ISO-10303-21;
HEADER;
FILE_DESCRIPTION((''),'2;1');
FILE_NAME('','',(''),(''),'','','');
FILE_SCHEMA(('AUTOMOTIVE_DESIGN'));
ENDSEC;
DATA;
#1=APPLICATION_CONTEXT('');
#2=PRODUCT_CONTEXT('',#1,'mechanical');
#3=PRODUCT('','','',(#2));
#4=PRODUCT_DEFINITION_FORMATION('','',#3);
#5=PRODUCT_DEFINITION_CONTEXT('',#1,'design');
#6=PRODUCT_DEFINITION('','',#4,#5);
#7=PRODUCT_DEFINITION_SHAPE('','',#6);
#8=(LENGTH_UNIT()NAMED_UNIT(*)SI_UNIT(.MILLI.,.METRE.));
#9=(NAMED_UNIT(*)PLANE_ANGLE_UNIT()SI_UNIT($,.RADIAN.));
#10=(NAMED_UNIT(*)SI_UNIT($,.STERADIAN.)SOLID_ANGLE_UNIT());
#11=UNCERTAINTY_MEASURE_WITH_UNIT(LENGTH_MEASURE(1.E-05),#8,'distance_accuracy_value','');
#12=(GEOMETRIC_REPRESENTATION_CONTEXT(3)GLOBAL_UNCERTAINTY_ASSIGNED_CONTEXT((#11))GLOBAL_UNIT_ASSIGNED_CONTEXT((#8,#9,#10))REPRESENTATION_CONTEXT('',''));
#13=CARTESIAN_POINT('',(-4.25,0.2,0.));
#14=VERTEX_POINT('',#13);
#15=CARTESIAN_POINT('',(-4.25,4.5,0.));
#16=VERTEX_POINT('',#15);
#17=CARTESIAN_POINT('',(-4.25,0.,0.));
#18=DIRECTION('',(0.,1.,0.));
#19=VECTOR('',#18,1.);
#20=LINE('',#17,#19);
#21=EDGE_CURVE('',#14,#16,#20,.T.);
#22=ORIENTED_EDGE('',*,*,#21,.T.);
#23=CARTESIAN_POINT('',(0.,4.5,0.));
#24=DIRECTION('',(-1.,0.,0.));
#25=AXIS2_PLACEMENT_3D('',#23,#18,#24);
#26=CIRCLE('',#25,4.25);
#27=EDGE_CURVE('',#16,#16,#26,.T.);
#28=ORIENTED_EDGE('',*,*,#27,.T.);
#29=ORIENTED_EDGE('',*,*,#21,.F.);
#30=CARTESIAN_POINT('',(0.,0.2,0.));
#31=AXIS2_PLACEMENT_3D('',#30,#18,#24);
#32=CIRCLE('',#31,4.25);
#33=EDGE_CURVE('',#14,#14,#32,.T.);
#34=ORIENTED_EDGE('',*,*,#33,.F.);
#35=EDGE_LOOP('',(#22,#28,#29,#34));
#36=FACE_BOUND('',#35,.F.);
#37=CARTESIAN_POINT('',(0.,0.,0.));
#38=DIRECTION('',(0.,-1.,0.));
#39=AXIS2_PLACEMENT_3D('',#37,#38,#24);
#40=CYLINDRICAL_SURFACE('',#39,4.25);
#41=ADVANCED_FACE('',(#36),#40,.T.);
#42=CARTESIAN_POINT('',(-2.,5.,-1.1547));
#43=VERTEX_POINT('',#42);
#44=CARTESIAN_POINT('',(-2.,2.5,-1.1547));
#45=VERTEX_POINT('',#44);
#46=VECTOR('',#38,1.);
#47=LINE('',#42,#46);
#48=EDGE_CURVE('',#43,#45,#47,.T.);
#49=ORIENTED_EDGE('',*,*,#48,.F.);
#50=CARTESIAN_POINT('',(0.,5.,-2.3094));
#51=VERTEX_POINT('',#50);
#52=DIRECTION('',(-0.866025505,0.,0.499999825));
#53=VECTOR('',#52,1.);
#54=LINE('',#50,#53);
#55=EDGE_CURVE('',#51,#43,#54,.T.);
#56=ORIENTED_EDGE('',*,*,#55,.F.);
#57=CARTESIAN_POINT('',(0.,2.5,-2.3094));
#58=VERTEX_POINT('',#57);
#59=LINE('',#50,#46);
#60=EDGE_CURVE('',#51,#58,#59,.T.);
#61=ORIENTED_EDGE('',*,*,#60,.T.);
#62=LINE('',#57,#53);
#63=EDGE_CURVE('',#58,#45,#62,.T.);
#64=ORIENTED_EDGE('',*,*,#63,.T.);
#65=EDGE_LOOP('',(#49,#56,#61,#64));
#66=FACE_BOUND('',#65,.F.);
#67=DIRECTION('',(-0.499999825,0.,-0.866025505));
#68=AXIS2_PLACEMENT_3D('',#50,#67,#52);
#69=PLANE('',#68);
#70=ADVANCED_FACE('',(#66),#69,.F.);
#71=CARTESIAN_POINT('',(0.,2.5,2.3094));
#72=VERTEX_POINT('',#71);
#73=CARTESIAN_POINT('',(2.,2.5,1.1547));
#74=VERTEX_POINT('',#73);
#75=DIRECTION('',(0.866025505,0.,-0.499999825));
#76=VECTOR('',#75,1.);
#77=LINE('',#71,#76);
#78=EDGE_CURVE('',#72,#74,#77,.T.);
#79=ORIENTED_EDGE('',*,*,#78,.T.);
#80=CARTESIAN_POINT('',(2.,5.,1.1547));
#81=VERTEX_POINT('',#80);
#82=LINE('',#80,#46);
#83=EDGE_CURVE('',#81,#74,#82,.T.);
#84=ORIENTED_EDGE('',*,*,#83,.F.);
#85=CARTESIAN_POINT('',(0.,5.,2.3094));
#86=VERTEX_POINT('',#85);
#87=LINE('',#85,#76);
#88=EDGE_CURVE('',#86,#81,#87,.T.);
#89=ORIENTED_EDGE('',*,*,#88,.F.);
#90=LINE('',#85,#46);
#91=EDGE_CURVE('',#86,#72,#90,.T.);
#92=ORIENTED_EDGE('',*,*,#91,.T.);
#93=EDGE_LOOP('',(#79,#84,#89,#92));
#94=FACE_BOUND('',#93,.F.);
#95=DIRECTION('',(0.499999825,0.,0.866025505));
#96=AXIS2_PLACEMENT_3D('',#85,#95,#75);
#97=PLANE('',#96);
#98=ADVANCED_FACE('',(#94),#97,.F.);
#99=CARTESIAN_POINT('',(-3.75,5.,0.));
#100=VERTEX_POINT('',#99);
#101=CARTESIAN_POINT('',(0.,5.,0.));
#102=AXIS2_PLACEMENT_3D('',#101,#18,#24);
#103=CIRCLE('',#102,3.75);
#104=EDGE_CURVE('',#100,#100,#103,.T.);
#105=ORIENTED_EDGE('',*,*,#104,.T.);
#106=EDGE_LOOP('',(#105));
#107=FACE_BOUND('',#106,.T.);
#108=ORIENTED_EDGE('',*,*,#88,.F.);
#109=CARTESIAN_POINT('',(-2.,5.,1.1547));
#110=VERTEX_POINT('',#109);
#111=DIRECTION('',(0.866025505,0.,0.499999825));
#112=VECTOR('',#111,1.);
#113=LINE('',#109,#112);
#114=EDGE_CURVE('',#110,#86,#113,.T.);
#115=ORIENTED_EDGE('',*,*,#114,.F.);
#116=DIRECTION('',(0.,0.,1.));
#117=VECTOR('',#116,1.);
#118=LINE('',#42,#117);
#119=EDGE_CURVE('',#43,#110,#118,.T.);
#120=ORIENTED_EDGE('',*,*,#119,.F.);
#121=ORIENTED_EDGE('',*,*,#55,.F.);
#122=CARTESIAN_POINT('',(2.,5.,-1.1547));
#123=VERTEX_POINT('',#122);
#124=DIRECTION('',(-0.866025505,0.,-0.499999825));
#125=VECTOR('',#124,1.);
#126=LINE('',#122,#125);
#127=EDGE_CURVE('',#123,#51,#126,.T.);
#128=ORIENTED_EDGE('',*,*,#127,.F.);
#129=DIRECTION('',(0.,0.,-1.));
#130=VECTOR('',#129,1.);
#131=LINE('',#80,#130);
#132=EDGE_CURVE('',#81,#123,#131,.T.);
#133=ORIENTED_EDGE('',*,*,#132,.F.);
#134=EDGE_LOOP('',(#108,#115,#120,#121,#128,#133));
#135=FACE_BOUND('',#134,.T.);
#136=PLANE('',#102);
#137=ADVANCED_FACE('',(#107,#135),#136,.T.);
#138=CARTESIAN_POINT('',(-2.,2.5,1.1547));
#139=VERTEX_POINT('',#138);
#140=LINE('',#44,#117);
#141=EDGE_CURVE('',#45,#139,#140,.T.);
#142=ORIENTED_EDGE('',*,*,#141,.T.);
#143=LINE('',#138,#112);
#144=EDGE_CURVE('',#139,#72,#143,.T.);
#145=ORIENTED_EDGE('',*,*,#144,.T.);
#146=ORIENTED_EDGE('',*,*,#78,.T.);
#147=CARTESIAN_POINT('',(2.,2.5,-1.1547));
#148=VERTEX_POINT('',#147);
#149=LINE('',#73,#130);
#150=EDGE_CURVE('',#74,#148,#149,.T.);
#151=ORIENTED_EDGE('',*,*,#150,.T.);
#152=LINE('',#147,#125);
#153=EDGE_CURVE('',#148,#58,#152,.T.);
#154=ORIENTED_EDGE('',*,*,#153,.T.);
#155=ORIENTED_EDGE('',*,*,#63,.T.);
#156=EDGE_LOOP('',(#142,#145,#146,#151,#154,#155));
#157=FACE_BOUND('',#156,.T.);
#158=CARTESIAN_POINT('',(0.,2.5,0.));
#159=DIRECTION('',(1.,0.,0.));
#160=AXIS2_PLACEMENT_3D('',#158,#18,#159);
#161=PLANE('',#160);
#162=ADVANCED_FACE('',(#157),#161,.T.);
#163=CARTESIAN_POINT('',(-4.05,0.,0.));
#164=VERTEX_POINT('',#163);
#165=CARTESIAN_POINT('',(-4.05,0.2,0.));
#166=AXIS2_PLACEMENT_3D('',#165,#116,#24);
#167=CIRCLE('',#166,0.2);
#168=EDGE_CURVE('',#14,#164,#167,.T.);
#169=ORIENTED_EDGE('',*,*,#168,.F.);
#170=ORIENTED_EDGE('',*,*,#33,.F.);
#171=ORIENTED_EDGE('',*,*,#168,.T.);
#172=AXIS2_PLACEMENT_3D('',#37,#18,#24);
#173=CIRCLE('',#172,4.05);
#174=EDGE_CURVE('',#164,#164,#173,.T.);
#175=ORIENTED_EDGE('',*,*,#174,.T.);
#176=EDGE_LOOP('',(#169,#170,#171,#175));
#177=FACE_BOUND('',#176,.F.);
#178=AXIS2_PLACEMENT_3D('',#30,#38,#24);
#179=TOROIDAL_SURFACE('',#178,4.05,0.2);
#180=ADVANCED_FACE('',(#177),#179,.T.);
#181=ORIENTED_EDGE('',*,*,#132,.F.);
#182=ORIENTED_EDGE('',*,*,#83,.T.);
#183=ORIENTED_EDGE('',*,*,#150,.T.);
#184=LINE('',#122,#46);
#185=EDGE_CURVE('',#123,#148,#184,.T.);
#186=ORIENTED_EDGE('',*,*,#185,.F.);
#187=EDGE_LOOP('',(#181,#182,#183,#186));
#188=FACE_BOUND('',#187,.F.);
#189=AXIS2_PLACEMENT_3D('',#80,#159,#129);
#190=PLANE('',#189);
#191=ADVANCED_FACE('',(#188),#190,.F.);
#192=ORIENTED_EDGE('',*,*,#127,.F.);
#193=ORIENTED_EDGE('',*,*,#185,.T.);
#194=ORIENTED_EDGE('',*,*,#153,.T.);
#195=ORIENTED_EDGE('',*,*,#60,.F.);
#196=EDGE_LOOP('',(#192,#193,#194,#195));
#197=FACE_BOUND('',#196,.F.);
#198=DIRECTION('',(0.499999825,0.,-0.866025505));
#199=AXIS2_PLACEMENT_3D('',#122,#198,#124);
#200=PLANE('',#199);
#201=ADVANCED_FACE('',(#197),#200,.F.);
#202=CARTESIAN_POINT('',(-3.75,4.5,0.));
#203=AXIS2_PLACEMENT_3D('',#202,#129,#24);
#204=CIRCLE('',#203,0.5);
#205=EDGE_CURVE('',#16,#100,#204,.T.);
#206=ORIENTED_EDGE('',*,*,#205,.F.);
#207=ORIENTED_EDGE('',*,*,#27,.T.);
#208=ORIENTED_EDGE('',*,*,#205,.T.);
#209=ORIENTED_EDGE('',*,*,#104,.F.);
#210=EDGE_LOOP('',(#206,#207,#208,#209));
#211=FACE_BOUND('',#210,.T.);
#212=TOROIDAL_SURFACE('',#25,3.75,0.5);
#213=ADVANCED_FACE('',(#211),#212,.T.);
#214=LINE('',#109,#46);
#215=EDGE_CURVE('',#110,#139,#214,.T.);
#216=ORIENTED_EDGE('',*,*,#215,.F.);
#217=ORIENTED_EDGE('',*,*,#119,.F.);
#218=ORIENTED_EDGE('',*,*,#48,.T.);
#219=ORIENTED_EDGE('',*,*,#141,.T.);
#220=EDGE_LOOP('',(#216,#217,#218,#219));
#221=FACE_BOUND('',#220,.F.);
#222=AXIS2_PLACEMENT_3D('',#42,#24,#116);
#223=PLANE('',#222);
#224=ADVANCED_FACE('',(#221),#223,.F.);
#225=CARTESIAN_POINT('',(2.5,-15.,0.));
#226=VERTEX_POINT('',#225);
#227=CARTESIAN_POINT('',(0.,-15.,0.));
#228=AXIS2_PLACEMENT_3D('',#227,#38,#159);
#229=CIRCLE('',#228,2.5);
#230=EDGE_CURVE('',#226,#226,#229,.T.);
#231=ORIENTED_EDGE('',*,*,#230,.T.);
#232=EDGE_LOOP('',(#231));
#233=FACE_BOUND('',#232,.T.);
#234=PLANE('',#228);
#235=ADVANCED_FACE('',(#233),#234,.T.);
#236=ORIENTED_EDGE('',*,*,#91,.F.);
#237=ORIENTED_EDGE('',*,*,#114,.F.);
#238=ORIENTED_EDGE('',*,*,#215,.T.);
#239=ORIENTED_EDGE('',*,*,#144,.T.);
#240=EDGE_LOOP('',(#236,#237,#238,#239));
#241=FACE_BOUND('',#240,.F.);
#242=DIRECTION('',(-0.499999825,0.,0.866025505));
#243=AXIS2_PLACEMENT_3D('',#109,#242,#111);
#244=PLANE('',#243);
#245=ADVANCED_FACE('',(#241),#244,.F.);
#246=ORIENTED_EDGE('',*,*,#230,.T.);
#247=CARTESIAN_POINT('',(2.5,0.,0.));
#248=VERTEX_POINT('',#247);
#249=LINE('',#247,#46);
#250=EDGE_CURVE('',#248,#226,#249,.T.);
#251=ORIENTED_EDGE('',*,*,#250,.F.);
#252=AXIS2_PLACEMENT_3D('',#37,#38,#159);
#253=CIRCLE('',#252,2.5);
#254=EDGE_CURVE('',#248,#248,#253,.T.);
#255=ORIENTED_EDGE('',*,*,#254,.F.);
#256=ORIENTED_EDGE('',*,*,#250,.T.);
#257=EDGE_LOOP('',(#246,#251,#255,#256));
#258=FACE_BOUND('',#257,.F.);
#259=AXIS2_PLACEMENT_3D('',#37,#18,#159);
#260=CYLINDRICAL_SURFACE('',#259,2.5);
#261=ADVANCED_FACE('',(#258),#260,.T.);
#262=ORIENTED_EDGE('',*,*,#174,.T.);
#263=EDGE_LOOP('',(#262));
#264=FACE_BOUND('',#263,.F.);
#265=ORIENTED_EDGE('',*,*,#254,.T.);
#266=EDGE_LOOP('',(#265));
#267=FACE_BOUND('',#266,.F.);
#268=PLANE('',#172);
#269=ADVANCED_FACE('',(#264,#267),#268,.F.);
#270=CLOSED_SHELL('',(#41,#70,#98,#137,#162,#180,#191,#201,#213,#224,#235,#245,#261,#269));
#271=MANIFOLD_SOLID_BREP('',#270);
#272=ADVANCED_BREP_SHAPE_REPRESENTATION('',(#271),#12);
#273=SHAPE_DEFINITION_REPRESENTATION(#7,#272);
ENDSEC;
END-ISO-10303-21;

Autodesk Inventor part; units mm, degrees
ref_plane "YZ Plane" through (0, 0, 0) normal (1, 0, 0) x (0, 1, 0)
ref_plane "XZ Plane" through (0, 0, 0) normal (0, 1, 0) x (-1, 0, 0)
ref_plane "XY Plane" through (0, 0, 0) normal (0, 0, 1) x (1, 0, 0)
sketch "スケッチ1" plane through (0, 0, 0) normal (0, 1, 0) x (-1, 0, 0)
  circle A0 centre (0, 0) radius 4.25
  dimension "d0" = 8.5
extrude "押し出し1" add sketch "スケッチ1" along normal blind 5
sketch "スケッチ2" plane through (0, 0, 0) normal (0, -1, 0) x (1, 0, 0)
  circle A0 centre (0, 0) radius 2.5
  dimension "d3" = 5
extrude "押し出し2" add sketch "スケッチ2" along normal blind 15
fillet "フィレット1" radius 0.5 1 edges at (4.25, 5, 0)
fillet "フィレット1" radius 0.2 1 edges at (4.25, 0, 0)
sketch "スケッチ3" plane through (0, 5, 0) normal (0, 1, 0) x (1, 0, 0)
  line L0 (0, 2.3094) -> (-2, 1.1547)
  line L1 (-2, 1.1547) -> (-2, -1.1547)
  line L2 (-2, -1.1547) -> (0, -2.3094)
  line L3 (0, -2.3094) -> (2, -1.1547)
  line L4 (2, -1.1547) -> (2, 1.1547)
  line L5 (2, 1.1547) -> (0, 2.3094)
  line L6 (0, 2.3094) -> (0, -2.3094) construction
  circle A0 centre (0, 0) radius 2.3094 construction
  dimension "d12" = 4
extrude "押し出し3" cut sketch "スケッチ3" against normal blind 2.5
thread "ねじ2" size "M5x0.8" class "6g" standard "ANSI Metric M Profile" length 15
properties part number "M3-CapScrew"
